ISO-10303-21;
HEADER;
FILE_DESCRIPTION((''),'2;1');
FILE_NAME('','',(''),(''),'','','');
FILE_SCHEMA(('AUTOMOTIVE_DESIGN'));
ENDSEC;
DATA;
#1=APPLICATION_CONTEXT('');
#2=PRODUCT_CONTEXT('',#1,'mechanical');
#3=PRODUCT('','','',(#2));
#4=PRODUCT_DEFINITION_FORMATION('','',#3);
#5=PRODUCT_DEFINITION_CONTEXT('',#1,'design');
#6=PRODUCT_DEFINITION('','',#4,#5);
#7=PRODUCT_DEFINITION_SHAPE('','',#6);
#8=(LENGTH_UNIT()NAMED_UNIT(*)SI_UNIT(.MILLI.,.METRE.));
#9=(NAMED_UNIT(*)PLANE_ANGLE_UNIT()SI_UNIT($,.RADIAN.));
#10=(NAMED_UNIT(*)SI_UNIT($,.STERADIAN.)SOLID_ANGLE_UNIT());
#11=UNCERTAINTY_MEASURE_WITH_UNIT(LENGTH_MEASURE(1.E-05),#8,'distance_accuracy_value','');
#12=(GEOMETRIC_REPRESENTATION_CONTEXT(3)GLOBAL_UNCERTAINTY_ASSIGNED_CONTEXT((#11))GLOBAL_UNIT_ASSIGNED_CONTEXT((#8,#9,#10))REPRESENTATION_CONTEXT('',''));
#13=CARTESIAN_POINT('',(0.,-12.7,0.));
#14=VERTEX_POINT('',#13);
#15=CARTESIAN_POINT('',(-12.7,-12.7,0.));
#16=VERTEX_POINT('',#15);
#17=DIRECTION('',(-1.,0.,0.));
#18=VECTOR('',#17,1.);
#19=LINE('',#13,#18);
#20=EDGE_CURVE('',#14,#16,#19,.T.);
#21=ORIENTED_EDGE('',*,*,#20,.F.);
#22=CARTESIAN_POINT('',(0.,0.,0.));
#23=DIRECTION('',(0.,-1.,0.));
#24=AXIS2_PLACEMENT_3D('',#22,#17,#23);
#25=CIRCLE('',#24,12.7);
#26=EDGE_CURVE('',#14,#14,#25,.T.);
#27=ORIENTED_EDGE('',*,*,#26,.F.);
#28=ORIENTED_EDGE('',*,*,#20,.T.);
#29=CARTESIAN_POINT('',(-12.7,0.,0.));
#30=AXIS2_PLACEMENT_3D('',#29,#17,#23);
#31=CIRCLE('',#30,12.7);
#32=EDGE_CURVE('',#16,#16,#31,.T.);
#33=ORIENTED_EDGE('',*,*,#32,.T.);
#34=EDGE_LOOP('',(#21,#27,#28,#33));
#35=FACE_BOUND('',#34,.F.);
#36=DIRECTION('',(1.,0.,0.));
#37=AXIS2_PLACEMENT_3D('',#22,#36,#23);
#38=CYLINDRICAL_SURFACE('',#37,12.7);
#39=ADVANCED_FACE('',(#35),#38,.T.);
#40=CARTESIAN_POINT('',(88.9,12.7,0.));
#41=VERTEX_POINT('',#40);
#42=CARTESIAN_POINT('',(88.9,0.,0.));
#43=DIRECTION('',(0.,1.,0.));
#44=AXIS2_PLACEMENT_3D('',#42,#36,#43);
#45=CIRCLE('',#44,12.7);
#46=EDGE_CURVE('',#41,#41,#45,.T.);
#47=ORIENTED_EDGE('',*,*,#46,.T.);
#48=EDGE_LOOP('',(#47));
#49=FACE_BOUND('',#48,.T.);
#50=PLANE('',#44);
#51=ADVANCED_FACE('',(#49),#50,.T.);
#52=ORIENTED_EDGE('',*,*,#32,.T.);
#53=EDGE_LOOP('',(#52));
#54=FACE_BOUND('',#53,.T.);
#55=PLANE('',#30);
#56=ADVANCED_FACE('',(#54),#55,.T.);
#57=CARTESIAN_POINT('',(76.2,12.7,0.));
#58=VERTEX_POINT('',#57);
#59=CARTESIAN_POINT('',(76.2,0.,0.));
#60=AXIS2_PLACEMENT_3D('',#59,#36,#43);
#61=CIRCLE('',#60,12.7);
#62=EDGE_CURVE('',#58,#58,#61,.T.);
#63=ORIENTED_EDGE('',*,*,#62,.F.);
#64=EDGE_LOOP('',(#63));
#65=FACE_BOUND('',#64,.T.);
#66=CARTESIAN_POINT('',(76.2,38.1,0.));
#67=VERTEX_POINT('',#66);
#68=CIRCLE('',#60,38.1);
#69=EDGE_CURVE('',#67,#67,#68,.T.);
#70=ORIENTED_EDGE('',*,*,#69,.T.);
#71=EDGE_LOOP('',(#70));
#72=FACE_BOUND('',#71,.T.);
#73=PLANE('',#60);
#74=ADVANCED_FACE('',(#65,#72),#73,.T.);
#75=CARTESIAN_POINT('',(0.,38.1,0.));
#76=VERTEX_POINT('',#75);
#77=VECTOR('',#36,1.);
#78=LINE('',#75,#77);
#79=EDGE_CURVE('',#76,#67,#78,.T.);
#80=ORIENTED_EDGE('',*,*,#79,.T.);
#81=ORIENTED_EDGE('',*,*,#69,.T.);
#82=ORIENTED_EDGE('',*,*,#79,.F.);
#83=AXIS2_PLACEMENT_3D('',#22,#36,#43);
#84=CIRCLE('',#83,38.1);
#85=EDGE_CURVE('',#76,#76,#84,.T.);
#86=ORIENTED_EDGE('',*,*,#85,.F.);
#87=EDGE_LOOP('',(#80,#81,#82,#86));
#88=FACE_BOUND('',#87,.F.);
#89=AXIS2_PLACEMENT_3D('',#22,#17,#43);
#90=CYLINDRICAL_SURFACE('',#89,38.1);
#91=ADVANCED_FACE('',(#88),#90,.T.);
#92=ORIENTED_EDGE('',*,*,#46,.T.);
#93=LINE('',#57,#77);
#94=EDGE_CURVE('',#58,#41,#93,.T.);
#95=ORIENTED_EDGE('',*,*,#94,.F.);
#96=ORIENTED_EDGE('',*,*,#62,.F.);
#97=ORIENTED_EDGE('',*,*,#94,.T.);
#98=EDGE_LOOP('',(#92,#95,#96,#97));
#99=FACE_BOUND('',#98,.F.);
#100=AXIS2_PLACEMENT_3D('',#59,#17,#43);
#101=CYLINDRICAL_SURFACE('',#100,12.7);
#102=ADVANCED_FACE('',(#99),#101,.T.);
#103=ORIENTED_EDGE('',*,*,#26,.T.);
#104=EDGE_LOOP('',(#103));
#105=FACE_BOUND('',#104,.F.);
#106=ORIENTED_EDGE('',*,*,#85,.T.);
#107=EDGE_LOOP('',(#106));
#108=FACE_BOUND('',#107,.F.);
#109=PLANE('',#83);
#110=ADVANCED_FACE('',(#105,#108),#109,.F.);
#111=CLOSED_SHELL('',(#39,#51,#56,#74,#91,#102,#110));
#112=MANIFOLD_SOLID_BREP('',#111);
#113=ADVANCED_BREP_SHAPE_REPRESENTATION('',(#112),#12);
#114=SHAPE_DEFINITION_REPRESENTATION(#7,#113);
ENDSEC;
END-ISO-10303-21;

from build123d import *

# Parameters (mm, degrees)
F0_R     = 38.1
F1_DEPTH = 76.2
F2_R     = 12.7
F3_DEPTH = 12.7
F4_R     = 12.7
F5_DEPTH = 12.7


with BuildPart() as f1:
    # F0 (on Right) → F1 (new body)
    with BuildSketch(Plane.YZ):
        Circle(F0_R)
    extrude(amount=F1_DEPTH)

    # F2 (on face) → F3 (join)
    with BuildSketch(Plane(origin=(0, 0, 0), x_dir=(0, -1, 0), z_dir=(-1, 0, 0))):
        Circle(F2_R)
    extrude(amount=F3_DEPTH)

    # F4 (on face) → F5 (join)
    with BuildSketch(Plane.YZ.offset(76.2)):
        Circle(F4_R)
    extrude(amount=F5_DEPTH)


solid = f1.part
